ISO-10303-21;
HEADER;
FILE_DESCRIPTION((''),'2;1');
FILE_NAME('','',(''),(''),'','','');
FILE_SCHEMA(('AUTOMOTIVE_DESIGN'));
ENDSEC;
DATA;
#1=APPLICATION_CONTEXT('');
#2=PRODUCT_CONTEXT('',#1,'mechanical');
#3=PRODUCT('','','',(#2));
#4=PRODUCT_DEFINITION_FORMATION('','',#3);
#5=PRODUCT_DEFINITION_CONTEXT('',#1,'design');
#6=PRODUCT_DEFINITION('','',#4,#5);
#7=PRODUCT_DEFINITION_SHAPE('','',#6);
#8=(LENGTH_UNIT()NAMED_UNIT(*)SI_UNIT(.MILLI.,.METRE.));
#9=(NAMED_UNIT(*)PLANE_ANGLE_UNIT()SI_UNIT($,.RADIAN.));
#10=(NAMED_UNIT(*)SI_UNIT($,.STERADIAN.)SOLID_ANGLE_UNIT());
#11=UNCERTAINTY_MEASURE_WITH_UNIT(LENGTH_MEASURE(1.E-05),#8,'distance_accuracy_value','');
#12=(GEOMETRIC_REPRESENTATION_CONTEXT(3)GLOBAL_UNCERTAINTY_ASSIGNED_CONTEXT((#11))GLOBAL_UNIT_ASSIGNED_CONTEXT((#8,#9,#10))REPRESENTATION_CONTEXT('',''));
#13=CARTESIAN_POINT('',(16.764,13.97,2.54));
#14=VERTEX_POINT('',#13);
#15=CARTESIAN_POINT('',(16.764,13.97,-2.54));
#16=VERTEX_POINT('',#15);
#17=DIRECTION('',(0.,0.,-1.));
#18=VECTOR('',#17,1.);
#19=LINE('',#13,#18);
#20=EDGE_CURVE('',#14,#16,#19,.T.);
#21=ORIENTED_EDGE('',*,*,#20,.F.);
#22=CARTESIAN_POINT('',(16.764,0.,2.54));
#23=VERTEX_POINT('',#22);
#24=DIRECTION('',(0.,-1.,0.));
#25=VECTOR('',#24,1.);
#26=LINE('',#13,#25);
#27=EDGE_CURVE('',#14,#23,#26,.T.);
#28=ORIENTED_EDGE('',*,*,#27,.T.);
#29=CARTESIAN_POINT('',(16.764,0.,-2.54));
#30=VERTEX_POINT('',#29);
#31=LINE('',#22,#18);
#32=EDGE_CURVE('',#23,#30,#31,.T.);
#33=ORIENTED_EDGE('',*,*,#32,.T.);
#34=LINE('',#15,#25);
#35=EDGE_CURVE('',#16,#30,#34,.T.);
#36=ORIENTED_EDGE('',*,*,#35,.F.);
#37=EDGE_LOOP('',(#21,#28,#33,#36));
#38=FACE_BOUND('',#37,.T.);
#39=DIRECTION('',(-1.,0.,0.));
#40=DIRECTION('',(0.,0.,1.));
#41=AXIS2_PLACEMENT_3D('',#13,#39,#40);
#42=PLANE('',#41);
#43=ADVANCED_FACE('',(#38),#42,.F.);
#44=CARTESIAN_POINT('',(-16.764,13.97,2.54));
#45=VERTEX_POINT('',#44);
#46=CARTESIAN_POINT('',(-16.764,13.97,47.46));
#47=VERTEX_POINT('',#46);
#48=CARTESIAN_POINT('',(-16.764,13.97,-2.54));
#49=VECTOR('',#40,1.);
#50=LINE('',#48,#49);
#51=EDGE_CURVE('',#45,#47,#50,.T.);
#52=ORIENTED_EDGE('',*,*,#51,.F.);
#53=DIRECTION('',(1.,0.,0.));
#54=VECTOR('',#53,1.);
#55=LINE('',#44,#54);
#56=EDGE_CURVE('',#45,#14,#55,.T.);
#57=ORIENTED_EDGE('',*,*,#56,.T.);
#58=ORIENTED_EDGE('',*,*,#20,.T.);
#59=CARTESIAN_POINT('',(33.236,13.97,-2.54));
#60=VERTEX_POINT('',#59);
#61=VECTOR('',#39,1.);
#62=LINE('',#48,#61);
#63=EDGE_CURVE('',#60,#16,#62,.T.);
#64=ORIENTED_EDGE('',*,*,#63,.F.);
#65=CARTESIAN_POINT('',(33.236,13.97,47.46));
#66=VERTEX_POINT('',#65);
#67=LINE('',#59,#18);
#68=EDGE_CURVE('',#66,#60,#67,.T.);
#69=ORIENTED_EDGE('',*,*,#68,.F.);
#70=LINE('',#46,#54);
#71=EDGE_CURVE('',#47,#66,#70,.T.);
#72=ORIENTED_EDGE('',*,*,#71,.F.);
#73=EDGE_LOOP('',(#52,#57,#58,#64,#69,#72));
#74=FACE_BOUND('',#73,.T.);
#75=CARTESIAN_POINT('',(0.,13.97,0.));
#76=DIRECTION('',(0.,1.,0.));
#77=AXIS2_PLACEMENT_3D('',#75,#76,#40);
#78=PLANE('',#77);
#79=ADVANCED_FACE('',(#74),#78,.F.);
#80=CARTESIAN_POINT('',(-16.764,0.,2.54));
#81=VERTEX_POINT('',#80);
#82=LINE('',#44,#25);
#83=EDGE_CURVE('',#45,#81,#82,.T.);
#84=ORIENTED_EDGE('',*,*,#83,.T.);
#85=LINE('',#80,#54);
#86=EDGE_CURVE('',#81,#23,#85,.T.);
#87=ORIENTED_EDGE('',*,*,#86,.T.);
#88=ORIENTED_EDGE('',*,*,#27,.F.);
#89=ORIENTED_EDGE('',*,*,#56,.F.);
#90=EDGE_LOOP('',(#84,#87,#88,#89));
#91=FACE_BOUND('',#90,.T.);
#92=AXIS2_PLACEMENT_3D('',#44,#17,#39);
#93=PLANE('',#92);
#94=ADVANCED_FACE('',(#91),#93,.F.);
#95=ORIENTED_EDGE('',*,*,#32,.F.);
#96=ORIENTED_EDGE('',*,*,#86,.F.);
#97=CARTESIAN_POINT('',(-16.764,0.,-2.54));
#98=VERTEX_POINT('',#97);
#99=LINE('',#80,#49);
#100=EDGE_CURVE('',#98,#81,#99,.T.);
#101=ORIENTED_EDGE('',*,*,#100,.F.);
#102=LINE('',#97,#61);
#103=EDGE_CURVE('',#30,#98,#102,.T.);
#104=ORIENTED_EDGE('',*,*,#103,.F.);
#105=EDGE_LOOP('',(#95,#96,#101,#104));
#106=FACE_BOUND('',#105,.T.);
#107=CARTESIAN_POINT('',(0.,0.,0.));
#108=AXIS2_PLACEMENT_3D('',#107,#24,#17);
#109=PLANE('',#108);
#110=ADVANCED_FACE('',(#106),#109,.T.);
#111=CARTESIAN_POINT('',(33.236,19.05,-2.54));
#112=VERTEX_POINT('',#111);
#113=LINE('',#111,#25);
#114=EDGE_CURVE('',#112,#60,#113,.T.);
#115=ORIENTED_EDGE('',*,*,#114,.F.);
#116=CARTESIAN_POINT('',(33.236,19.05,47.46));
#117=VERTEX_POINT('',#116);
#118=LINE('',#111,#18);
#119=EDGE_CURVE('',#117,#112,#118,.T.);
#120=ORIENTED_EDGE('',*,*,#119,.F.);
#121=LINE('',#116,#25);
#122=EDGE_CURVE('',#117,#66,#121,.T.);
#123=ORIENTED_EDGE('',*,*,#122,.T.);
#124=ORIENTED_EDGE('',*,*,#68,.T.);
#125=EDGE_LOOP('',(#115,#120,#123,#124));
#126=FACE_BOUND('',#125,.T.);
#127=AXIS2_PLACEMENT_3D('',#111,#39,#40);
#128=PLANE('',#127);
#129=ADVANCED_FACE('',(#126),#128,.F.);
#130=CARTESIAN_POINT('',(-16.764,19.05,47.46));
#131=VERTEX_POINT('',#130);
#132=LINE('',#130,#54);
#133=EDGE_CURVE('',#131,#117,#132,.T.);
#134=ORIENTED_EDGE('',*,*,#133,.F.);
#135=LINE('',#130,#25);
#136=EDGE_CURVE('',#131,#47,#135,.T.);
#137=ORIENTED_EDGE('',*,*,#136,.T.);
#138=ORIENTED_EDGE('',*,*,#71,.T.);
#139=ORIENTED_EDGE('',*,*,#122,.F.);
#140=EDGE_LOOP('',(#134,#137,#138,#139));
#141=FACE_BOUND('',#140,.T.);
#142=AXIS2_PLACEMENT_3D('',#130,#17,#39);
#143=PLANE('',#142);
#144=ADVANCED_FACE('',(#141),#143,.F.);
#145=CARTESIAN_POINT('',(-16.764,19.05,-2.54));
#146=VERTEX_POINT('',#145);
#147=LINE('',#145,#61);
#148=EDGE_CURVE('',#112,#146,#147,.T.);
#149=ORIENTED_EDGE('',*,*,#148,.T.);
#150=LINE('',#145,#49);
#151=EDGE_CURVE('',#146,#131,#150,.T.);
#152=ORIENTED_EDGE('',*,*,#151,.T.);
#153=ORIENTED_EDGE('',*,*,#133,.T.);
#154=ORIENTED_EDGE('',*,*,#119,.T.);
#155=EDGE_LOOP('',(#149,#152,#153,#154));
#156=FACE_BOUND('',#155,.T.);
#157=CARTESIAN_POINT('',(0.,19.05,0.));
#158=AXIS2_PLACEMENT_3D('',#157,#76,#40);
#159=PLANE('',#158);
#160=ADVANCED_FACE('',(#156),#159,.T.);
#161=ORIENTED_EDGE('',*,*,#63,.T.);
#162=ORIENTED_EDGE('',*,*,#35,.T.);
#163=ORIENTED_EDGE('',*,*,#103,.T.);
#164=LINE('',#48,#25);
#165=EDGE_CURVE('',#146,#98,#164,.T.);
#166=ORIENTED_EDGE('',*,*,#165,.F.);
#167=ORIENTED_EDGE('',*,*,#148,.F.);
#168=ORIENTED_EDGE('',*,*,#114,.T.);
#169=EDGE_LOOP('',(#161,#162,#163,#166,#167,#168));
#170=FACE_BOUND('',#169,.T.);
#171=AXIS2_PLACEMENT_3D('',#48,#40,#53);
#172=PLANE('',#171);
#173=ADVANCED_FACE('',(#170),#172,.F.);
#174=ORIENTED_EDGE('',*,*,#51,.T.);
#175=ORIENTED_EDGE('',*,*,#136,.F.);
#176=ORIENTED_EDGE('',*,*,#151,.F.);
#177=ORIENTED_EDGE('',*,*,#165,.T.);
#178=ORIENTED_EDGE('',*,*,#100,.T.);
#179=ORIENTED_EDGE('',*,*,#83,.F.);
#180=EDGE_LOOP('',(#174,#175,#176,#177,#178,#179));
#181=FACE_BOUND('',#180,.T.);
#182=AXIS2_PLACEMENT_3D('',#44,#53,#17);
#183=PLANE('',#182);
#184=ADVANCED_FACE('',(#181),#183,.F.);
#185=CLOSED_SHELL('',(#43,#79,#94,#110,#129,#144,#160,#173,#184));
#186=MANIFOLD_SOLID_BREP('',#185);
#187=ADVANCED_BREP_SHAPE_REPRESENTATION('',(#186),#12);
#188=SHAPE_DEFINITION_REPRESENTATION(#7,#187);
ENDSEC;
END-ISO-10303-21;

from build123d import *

# Parameters (mm, degrees)
SKETCH1_W           = 33.528
SKETCH1_H           = 5.08
BOSS_EXTRUDE1_DEPTH = 13.97
SKETCH2_W           = 50
SKETCH2_H           = 50
BOSS_EXTRUDE2_DEPTH = 5.08


with BuildPart() as part:
    # Sketch1 → Boss-Extrude1 (new body)
    with BuildSketch(Plane(origin=(0, 0, 0), x_dir=(1, 0, 0), z_dir=(0, 1, 0))):
        Rectangle(SKETCH1_W, SKETCH1_H)
    extrude(amount=BOSS_EXTRUDE1_DEPTH)

    # Sketch2 → Boss-Extrude2 (add)
    with BuildSketch(Plane(origin=(0, 13.97, 0), x_dir=(1, 0, 0), z_dir=(0, 1, 0))):
        with Locations((8.236, -22.46)):
            Rectangle(SKETCH2_W, SKETCH2_H)
    extrude(amount=BOSS_EXTRUDE2_DEPTH)


solid = part.part
